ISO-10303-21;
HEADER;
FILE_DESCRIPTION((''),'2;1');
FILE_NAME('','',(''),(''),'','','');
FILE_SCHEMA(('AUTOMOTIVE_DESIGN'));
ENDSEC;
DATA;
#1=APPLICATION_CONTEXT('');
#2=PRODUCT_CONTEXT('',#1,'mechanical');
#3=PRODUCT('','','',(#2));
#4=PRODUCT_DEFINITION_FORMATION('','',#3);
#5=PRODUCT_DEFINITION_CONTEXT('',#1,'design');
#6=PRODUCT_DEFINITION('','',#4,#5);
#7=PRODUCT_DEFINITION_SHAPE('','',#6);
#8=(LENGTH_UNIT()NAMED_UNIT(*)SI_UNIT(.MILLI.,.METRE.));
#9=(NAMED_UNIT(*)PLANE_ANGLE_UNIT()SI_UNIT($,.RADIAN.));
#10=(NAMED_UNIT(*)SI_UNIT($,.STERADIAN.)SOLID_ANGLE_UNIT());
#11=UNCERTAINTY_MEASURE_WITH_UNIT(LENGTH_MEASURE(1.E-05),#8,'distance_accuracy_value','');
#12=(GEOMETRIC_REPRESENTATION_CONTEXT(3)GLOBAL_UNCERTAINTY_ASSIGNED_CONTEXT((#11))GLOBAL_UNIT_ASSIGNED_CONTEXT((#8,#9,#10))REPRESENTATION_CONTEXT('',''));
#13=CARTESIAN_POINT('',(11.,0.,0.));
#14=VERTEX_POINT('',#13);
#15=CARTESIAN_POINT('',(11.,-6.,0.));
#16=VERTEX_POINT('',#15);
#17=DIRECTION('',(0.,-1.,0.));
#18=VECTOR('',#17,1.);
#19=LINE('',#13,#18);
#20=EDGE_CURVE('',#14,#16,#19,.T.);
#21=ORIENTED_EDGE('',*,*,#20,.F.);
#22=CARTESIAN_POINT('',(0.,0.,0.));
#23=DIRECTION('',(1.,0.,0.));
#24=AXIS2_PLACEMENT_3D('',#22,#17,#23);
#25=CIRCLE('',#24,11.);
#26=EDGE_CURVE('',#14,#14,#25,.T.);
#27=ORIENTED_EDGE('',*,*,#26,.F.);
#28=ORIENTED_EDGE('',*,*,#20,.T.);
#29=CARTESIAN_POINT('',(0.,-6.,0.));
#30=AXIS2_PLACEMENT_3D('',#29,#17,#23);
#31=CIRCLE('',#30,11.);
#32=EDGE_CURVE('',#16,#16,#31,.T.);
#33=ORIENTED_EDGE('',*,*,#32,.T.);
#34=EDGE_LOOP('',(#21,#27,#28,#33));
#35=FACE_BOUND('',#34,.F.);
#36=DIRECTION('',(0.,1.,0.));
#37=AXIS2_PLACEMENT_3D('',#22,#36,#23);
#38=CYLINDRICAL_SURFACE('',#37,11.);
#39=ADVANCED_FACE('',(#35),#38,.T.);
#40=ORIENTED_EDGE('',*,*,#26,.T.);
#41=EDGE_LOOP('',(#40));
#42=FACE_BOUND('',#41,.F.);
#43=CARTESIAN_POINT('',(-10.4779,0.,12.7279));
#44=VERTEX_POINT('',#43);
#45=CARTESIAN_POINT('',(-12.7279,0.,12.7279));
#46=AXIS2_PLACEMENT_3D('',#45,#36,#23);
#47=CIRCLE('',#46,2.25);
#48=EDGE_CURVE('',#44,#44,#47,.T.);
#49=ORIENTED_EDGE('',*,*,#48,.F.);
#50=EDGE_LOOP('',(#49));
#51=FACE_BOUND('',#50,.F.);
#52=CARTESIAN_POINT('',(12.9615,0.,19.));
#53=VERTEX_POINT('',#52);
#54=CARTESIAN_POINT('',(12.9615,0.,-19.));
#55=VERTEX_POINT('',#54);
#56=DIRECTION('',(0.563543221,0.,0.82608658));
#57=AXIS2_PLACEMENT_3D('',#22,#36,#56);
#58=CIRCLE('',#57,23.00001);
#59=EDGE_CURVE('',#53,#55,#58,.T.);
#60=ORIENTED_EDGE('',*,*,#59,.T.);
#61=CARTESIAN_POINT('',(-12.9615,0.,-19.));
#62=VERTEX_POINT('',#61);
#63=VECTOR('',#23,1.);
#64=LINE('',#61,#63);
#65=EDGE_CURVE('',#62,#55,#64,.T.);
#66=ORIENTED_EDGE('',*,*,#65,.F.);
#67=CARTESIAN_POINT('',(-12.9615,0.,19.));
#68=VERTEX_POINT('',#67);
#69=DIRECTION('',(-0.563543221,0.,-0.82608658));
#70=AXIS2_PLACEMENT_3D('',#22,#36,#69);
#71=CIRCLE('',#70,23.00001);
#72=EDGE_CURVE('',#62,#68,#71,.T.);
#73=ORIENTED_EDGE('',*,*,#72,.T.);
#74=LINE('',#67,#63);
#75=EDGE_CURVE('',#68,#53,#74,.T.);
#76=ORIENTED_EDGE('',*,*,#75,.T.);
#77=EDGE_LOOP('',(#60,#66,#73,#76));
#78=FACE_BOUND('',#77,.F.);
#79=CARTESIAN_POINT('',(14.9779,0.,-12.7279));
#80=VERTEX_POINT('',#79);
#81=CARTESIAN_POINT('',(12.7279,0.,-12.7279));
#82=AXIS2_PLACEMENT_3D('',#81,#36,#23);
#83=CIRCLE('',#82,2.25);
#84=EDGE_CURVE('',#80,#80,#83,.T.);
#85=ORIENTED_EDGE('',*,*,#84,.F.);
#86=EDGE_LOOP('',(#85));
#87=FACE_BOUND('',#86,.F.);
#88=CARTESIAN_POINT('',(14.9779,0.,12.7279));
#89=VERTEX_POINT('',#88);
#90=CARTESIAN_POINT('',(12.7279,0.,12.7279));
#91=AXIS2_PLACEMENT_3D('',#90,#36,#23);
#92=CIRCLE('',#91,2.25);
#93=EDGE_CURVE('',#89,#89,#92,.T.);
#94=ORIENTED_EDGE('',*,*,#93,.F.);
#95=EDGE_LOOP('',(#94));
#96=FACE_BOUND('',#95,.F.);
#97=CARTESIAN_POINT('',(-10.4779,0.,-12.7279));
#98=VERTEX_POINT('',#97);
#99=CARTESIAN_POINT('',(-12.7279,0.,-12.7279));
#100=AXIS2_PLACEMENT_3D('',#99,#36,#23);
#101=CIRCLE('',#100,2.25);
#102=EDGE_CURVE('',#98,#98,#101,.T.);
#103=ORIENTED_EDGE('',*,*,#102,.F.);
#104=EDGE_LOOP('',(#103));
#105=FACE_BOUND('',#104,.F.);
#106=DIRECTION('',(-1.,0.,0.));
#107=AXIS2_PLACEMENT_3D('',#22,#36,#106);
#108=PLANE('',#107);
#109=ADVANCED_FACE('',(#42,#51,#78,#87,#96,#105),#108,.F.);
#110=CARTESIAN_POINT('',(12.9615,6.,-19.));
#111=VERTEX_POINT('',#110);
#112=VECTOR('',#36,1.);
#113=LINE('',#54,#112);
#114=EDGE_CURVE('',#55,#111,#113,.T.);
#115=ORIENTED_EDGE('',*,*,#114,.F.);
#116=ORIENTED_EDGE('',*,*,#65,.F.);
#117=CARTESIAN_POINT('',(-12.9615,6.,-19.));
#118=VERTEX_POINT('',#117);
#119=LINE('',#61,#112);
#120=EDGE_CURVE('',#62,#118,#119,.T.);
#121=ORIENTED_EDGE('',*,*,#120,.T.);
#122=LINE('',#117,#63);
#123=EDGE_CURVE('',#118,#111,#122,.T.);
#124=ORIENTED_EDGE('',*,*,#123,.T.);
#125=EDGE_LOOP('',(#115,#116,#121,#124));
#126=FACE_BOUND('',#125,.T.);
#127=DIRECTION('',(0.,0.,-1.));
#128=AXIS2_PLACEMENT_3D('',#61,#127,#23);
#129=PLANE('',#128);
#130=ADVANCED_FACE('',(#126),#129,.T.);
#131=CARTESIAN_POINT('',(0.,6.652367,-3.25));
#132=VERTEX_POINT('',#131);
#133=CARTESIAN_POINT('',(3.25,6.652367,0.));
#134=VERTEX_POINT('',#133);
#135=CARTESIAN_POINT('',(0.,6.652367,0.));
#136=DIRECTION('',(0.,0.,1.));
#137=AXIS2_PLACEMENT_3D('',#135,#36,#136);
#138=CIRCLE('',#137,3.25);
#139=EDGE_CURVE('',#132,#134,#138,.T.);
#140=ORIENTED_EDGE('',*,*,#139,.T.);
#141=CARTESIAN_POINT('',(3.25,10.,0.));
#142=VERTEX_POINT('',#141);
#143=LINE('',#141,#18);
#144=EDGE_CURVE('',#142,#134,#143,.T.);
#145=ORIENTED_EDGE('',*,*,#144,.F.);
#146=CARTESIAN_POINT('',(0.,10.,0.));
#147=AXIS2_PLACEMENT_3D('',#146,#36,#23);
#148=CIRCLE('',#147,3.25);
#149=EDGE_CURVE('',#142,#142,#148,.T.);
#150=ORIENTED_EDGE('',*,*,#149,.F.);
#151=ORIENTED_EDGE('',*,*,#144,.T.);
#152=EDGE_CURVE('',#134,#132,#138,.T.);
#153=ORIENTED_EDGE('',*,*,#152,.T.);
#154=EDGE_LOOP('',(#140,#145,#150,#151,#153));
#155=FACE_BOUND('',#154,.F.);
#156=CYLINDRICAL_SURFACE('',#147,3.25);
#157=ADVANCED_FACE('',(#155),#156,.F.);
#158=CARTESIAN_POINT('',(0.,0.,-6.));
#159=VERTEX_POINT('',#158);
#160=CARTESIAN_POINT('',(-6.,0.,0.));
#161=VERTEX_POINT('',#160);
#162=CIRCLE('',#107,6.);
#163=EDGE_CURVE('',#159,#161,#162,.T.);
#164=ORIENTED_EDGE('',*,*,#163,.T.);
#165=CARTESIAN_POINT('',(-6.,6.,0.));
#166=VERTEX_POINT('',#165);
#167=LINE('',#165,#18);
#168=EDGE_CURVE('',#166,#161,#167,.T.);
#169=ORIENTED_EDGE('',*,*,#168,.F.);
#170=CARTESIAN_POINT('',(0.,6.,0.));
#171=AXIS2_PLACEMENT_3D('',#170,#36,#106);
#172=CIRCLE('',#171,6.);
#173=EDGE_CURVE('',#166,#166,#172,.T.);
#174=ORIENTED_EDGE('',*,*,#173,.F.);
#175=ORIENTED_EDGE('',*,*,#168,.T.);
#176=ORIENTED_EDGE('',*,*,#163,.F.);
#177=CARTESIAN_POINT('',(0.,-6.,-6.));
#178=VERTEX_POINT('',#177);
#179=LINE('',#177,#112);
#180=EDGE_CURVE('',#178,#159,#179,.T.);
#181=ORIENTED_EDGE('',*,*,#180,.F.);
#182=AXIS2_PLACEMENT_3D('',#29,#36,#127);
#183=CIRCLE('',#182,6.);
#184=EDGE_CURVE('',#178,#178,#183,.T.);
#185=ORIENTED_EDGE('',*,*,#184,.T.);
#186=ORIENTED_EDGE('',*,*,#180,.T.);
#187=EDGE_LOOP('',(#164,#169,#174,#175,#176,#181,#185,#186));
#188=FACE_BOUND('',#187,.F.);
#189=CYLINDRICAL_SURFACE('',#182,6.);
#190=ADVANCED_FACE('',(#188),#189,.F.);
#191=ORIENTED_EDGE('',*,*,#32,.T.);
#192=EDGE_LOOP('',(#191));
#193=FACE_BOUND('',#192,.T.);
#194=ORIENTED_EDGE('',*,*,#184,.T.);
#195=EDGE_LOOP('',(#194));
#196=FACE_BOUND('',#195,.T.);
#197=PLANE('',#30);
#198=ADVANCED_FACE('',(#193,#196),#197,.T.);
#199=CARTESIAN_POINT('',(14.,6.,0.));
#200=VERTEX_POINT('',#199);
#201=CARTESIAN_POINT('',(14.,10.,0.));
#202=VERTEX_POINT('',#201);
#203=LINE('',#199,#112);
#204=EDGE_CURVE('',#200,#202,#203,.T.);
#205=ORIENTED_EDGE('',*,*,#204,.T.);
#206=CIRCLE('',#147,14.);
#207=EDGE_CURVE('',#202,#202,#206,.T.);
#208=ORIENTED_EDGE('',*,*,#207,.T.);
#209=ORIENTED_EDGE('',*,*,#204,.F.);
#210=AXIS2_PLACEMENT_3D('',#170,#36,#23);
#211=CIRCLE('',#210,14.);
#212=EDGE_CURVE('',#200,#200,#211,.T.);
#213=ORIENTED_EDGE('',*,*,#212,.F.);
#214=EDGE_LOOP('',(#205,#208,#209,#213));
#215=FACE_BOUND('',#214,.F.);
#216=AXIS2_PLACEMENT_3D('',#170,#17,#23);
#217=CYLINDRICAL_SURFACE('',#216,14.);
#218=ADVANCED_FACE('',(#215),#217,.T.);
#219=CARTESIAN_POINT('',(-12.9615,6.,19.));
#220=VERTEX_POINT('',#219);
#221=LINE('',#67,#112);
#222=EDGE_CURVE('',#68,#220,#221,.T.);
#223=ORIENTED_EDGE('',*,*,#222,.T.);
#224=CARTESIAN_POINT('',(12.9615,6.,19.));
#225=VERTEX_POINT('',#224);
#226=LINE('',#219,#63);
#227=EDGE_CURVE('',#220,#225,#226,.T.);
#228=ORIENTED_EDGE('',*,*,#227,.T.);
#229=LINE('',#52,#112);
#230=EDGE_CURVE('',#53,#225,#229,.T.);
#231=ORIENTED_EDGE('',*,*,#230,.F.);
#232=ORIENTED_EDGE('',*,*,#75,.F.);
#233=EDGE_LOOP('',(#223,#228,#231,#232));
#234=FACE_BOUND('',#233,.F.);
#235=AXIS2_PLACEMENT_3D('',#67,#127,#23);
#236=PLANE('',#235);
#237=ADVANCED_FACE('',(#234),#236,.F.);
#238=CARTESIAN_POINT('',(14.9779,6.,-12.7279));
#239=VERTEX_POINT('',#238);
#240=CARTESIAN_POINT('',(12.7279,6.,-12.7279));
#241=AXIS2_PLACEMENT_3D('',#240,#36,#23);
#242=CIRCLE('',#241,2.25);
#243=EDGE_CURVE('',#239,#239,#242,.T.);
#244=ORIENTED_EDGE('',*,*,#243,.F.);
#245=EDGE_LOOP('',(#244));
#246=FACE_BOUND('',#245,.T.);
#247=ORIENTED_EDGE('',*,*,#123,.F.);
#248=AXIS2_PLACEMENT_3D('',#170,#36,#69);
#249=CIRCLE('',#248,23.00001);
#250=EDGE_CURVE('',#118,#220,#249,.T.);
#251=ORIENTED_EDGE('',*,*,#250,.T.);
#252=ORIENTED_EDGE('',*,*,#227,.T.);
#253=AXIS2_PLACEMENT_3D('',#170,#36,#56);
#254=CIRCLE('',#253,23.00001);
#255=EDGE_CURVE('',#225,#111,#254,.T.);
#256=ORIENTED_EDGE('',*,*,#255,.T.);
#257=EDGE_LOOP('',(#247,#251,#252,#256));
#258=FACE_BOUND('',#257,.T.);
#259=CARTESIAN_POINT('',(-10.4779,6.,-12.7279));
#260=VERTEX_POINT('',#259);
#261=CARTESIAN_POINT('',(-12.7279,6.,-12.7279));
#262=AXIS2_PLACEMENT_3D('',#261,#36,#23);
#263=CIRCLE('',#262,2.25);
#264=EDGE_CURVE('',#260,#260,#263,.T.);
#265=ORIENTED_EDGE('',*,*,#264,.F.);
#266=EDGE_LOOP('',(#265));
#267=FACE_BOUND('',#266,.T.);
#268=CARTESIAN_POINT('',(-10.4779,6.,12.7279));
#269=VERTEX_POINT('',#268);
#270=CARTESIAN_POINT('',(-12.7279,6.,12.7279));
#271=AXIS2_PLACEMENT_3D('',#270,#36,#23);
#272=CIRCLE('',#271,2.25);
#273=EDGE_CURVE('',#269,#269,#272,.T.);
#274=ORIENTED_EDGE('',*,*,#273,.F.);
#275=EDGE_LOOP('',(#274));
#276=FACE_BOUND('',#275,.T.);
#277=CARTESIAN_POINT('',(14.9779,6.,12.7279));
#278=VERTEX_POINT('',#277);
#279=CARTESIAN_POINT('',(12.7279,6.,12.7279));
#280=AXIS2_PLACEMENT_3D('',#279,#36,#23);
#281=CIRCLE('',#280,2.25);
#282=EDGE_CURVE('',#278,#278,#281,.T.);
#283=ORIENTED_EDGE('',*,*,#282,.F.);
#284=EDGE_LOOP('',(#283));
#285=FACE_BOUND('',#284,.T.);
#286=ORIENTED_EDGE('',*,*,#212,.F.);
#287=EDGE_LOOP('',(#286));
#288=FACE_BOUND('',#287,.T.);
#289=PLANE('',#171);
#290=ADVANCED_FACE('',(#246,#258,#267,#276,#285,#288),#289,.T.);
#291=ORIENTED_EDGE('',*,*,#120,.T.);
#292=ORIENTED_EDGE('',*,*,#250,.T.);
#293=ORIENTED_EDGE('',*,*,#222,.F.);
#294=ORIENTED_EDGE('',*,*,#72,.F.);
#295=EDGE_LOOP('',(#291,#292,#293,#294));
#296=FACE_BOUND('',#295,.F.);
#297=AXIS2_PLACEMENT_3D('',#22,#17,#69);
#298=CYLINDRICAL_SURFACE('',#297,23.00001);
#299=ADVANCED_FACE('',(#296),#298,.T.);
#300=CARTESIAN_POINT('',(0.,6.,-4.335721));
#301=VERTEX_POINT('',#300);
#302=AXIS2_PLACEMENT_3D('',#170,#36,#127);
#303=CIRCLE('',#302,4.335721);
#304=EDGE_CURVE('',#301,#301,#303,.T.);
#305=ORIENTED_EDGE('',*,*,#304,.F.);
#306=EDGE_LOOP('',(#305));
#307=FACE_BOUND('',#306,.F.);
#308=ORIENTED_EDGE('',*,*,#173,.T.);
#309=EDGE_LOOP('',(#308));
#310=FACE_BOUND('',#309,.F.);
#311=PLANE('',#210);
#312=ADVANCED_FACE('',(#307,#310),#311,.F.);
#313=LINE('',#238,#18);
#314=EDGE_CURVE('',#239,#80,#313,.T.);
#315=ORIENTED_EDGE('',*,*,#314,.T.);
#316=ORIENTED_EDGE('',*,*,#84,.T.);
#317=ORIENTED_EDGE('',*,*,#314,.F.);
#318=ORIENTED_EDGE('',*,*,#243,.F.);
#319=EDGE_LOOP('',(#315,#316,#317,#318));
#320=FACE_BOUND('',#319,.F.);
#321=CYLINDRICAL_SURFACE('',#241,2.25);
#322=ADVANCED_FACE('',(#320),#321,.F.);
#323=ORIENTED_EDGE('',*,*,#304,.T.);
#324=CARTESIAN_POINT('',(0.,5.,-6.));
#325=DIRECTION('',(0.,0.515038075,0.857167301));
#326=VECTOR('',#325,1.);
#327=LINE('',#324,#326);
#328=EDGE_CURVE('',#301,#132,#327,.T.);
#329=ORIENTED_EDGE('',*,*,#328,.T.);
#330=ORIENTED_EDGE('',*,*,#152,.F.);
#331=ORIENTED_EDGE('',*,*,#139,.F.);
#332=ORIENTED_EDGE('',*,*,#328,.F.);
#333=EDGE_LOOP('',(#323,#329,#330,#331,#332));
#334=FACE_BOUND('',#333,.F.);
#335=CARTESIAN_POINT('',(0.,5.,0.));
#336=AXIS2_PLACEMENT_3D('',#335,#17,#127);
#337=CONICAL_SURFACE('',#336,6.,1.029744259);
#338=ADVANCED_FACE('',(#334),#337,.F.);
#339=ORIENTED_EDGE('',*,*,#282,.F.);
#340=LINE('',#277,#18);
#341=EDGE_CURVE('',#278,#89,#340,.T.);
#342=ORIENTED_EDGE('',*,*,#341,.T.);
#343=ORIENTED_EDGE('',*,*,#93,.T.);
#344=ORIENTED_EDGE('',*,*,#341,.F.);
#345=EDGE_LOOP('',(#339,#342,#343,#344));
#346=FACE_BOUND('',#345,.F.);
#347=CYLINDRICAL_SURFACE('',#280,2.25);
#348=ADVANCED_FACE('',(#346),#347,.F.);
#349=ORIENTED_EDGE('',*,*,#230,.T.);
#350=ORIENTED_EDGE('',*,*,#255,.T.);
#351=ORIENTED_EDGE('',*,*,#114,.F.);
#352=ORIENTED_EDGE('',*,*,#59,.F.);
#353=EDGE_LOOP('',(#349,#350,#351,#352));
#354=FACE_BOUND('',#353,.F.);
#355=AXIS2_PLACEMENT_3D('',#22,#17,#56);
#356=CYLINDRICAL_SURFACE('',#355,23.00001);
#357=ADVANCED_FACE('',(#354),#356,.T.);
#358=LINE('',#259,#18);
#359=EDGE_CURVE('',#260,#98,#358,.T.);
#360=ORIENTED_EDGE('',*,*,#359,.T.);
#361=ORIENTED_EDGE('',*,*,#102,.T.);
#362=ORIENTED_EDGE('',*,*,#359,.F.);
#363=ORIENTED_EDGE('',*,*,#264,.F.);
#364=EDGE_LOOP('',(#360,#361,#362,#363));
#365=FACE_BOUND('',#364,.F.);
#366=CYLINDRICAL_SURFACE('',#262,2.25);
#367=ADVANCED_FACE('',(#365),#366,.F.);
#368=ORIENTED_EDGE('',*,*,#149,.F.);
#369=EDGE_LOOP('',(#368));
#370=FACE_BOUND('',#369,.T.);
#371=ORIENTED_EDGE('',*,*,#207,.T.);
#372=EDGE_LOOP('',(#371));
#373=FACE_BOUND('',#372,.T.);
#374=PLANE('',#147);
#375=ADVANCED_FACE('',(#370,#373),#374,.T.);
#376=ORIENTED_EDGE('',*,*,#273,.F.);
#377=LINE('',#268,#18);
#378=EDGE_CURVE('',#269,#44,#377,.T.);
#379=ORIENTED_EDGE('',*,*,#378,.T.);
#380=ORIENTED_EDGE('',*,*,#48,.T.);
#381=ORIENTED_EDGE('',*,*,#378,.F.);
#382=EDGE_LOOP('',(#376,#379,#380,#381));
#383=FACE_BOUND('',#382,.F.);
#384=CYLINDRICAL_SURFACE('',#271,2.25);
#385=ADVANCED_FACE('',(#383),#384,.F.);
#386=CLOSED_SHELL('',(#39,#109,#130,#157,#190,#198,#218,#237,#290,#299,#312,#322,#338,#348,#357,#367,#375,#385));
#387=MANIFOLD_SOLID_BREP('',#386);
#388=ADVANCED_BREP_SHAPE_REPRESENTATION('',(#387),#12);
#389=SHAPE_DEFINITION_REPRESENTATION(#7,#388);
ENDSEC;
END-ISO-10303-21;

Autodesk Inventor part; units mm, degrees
ref_plane "YZ Plane" through (0, 0, 0) normal (1, 0, 0) x (0, 1, 0)
ref_plane "XZ Plane" through (0, 0, 0) normal (0, 1, 0) x (-1, 0, 0)
ref_plane "XY Plane" through (0, 0, 0) normal (0, 0, 1) x (1, 0, 0)
sketch "Sketch1" plane through (0, 0, 0) normal (0, 1, 0) x (-1, 0, 0)
  line L0 (0, -19) -> (0, 19) construction
  line L1 (12.9615, 19) -> (-12.9615, 19)
  line L2 (12.9615, -19) -> (-12.9615, -19)
  arc A0 (-12.9615, 19) -> (-12.9615, -19) centre (0, 0) ccw
  arc A1 (12.9615, -19) -> (12.9615, 19) centre (0, 0) ccw
  circle A2 centre (0, 0) radius 6
  dimension "d3" = 12
extrude "Extrusion1" add sketch "Sketch1" along normal blind 6
sketch "Sketch2" plane through (0, 6, 0) normal (0, 1, 0) x (1, 0, 0)
  circle A0 centre (0, 0) radius 14
  dimension "d6" = 28
extrude "Extrusion2" add sketch "Sketch2" along normal blind 4
sketch "Sketch3" plane through (0, 0, 0) normal (0, -1, 0) x (1, 0, 0)
  circle A0 centre (0, 0) radius 11
  dimension "d9" = 22
extrude "Extrusion3" add sketch "Sketch3" along normal blind 6
sketch "Sketch4" plane through (0, -6, 0) normal (0, -1, 0) x (1, 0, 0)
  circle A0 centre (0, 0) radius 6
hole "Hole1" at (0, -6, 0) direction (0, 1, 0) diameter 12 depth 11 tip angle 118
sketch "Sketch5" plane through (0, 10, 0) normal (0, 1, 0) x (1, 0, 0)
  circle A0 centre (0, 0) radius 3.25
  dimension "d19" = 6.5
extrude "Extrusion4" cut sketch "Sketch5" against normal through all
sketch "Sketch6" plane through (0, 6, 0) normal (0, 1, 0) x (1, 0, 0)
  circle A0 centre (0, 0) radius 18 construction
  line L0 (0, 0) -> (12.7279, -12.7279) construction
  line L1 (0, 0) -> (18, 0) construction
  circle A1 centre (12.7279, -12.7279) radius 2.25
  circle A2 centre (12.7279, 12.7279) radius 2.25
  circle A3 centre (-12.7279, 12.7279) radius 2.25
  circle A4 centre (-12.7279, -12.7279) radius 2.25
  dimension "d22" = 36
  dimension "d23" = 45
  dimension "d24" = 4.5
  dimension "d27" = 360
extrude "Extrusion5" cut sketch "Sketch6" against normal through all
properties part number "Testata Superiore"
